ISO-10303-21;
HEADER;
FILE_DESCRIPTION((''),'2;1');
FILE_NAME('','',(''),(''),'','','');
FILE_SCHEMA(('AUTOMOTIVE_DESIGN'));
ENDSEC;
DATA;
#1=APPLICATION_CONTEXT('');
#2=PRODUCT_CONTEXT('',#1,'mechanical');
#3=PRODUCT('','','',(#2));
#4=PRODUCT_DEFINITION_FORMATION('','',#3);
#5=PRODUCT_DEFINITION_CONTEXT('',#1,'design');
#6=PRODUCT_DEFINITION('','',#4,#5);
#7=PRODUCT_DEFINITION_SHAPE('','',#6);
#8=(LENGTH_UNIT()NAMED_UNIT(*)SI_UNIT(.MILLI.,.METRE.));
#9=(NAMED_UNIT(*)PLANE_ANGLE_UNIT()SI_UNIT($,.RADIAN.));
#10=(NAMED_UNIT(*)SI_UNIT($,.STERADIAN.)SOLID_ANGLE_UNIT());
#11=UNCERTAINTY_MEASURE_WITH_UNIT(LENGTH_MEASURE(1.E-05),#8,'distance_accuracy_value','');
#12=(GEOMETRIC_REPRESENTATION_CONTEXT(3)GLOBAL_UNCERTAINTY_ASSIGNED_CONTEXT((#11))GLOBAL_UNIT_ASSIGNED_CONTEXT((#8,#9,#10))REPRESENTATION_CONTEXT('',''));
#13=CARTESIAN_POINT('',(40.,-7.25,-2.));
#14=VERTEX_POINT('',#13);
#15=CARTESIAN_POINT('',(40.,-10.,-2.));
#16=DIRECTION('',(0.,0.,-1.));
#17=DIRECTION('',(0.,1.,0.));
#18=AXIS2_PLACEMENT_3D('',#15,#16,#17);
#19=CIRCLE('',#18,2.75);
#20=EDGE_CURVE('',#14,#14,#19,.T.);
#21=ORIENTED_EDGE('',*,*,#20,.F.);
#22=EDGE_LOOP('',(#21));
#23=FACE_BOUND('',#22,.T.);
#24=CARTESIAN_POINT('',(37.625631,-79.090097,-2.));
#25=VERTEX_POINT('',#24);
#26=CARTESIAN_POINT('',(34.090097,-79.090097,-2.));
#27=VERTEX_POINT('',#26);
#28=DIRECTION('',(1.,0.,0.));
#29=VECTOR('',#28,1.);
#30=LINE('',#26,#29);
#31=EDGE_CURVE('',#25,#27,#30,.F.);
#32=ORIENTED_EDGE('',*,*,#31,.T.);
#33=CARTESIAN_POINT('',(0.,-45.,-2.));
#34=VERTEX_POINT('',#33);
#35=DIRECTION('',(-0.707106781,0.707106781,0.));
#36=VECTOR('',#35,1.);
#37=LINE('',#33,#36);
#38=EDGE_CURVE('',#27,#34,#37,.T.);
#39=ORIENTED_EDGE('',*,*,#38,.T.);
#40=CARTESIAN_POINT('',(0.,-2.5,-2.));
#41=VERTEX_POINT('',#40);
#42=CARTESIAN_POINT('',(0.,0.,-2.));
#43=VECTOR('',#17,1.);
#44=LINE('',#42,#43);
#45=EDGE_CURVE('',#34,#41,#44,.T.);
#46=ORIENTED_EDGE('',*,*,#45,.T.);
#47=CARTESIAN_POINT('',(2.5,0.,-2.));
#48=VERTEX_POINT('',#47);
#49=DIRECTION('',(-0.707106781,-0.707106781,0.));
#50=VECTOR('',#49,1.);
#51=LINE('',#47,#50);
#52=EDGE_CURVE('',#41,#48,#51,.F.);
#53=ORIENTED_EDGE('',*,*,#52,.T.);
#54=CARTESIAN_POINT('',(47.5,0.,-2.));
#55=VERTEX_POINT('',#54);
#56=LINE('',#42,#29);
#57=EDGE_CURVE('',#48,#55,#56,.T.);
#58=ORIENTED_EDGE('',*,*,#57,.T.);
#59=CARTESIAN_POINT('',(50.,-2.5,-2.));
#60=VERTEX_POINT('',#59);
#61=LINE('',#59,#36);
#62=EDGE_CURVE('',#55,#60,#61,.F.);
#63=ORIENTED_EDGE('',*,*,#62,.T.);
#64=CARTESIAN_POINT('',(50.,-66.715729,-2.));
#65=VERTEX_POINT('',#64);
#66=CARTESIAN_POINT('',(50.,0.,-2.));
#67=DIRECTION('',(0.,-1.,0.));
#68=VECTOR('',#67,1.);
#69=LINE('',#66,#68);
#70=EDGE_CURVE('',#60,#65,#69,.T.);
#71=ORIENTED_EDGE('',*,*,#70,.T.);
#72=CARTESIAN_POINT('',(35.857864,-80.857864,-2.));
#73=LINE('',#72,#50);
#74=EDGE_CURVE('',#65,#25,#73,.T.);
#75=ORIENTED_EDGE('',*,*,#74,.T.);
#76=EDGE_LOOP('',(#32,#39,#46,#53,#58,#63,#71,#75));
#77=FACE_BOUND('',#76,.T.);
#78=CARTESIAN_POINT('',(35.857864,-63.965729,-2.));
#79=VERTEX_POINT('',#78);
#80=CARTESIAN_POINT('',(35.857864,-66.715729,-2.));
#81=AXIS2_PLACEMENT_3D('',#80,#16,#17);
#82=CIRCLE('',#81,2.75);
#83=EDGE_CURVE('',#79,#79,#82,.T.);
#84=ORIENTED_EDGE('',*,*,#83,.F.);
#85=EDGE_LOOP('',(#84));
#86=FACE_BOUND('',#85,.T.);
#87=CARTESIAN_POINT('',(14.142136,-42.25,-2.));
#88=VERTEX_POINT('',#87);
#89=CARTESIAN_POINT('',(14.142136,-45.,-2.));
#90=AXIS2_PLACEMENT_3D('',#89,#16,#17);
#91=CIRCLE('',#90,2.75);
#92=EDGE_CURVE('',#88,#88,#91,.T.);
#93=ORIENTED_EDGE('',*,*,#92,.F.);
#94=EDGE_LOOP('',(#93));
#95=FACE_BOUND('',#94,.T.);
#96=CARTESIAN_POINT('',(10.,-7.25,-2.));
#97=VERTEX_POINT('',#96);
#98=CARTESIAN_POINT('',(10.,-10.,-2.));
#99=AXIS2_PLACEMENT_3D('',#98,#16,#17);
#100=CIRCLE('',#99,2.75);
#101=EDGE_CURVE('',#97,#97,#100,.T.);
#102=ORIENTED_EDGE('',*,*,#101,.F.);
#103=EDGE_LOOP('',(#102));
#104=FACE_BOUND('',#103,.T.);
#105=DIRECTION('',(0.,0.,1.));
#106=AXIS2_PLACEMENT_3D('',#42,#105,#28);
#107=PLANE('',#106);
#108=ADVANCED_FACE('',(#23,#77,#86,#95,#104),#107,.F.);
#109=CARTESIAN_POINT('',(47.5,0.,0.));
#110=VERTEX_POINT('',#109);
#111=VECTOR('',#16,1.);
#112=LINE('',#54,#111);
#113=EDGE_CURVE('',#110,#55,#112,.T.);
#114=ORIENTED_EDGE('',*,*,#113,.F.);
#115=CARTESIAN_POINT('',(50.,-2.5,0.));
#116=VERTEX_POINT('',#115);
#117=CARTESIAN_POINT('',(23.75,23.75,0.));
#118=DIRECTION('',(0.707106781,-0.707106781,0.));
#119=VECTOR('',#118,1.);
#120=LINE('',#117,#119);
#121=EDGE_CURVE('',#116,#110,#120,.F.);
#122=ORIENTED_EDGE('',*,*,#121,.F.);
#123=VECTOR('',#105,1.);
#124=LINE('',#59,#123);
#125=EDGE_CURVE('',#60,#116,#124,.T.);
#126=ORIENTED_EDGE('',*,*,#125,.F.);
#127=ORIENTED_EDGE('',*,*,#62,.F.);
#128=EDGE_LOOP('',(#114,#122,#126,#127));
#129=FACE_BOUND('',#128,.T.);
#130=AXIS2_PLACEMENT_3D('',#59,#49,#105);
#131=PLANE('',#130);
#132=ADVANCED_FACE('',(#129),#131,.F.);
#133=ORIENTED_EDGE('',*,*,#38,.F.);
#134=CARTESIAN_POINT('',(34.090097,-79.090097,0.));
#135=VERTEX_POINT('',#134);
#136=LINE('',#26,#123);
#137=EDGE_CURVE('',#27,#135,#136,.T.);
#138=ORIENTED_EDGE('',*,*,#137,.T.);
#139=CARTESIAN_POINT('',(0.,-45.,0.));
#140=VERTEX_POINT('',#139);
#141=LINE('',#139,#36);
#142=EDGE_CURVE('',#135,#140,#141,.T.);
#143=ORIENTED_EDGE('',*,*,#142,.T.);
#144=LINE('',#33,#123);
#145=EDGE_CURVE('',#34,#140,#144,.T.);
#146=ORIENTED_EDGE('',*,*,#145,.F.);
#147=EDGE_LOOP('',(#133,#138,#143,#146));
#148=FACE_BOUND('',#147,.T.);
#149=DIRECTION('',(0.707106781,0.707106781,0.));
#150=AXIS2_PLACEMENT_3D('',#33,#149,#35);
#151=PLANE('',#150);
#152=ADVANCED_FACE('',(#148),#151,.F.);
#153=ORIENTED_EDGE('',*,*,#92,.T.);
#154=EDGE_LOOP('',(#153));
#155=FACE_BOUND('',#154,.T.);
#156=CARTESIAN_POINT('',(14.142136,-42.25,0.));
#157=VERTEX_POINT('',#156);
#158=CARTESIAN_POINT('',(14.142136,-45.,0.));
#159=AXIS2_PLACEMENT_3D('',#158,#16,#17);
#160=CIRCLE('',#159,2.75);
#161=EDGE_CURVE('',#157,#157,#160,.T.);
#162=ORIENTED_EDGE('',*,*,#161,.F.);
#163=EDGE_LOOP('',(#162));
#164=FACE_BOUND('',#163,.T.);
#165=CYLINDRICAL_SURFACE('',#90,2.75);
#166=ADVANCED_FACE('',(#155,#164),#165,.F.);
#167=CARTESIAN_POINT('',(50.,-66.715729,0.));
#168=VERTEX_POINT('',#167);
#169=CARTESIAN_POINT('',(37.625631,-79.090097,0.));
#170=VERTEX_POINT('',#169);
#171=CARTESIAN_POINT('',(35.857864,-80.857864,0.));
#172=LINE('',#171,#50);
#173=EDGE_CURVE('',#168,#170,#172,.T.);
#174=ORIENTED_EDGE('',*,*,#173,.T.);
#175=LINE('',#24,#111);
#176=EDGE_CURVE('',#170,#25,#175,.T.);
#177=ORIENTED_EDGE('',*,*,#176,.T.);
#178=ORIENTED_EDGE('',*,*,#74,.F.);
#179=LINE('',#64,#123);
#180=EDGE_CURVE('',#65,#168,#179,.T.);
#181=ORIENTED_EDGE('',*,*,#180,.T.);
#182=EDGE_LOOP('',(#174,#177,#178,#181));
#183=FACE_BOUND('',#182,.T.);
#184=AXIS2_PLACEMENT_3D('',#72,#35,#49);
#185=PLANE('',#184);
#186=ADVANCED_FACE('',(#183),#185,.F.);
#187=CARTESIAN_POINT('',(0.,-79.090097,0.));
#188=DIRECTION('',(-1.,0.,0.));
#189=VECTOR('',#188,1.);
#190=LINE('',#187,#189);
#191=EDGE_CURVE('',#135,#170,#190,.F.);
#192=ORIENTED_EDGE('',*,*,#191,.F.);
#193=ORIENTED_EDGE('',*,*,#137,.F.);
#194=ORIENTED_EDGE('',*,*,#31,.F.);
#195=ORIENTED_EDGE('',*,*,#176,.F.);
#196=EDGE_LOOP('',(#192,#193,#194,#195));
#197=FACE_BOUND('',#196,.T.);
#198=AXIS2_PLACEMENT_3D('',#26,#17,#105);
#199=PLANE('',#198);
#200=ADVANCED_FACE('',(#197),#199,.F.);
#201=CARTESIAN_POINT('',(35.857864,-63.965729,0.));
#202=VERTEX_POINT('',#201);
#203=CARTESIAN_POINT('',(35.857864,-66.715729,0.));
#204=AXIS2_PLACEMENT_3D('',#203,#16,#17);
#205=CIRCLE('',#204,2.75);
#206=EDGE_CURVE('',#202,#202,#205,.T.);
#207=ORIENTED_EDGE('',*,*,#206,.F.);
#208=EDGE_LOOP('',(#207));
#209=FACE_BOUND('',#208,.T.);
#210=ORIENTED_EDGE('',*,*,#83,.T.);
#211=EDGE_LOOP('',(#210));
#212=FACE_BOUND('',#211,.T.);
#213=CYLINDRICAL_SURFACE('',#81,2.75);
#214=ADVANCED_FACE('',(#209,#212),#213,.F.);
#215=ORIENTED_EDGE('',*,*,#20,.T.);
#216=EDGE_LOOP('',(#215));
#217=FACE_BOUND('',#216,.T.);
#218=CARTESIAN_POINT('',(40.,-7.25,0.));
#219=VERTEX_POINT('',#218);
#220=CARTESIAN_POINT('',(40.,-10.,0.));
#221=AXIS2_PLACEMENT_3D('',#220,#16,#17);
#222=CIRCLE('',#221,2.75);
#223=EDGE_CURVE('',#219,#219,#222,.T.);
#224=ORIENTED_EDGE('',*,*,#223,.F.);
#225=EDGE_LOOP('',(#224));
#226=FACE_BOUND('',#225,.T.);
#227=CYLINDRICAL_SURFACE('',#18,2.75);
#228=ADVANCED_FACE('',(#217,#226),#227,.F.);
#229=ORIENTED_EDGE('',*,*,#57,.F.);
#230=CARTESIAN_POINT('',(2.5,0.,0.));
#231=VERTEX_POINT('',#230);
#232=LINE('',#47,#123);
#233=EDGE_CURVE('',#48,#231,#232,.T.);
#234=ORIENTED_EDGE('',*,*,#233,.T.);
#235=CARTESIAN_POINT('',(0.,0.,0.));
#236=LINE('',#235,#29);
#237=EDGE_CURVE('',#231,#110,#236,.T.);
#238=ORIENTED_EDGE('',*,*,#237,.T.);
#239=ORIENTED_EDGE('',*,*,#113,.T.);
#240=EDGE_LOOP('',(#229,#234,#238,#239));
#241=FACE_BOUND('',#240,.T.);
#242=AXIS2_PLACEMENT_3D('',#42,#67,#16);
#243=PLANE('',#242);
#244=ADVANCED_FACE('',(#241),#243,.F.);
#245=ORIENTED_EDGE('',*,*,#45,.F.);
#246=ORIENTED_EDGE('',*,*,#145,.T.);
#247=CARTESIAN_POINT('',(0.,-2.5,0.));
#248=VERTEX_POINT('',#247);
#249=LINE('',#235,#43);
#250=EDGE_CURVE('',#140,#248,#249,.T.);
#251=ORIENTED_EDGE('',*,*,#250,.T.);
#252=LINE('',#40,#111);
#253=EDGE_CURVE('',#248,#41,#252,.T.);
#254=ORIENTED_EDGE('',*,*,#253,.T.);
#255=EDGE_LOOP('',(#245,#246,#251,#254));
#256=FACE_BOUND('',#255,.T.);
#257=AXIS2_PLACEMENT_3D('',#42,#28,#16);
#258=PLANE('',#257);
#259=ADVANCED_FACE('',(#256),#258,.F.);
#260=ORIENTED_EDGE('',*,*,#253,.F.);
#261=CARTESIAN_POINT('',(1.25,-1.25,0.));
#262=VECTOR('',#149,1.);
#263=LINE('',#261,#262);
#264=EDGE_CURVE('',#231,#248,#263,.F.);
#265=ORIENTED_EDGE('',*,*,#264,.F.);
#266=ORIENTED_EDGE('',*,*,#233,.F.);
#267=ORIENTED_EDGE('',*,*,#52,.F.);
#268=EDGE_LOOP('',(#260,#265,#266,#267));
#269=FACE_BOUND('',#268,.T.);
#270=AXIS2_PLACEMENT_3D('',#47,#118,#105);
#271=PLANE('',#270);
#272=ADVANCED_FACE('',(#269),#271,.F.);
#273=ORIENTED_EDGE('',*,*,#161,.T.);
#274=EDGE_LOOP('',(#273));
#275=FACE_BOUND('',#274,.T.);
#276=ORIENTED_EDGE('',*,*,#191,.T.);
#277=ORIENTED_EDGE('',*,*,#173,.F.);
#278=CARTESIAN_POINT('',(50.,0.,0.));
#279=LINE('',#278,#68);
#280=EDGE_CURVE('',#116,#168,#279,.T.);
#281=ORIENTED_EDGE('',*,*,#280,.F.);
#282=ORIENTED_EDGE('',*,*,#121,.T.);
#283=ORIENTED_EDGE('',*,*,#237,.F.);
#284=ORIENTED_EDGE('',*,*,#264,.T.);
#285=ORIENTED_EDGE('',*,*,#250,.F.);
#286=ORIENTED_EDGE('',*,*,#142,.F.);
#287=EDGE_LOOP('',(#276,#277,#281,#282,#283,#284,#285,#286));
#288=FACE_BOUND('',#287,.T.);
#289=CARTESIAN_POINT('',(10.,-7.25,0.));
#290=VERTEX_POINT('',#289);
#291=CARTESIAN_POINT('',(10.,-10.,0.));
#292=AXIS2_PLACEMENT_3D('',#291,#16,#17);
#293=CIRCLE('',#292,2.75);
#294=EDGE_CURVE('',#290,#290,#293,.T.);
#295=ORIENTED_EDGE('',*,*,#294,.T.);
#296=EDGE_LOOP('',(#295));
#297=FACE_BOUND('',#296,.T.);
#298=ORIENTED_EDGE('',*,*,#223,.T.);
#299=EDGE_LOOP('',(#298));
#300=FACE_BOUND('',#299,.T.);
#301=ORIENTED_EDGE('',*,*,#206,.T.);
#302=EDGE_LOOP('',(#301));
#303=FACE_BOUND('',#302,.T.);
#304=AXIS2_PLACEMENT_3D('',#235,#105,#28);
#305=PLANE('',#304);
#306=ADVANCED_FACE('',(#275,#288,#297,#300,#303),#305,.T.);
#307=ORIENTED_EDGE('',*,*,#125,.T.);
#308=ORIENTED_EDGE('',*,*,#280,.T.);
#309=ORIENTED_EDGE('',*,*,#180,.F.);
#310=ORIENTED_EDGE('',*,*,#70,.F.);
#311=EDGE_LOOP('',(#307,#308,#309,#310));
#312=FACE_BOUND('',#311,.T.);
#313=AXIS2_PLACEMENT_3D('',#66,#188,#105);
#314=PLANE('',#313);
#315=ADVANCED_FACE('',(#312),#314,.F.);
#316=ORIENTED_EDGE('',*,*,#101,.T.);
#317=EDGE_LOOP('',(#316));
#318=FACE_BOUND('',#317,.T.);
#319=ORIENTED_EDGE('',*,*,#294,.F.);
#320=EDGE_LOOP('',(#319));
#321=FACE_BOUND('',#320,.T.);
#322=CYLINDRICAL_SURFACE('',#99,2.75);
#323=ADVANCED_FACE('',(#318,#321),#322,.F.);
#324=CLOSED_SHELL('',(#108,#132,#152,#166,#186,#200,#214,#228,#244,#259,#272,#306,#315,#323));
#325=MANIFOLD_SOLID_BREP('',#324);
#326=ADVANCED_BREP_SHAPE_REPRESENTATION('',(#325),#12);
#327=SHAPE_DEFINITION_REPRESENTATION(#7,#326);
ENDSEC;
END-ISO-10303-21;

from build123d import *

# Parameters (mm, degrees)
EXTRUDE_1_DEPTH   = 2
HOLE_WIZARD_M51_D = 5.5
CHAMFER_1_SIZE    = 2.5


with BuildPart() as part:
    # Эскиз3 → Бобышка-Вытянуть1 (new body)
    with BuildSketch(Plane(origin=(0, 0, 0), x_dir=(1, 0, 0), z_dir=(0, 0, -1))):
        Polygon((0, 0), (50, 0), (50, 66.715728753), (35.857864376, 80.857864376), (0, 45), align=None)
    extrude(amount=EXTRUDE_1_DEPTH)

    # Отверстие с зазором M51 (through all)
    with Locations(Plane(origin=(0, 0, -2), x_dir=(1, 0, 0), z_dir=(0, 0, -1))):
        with Locations((10, 10), (40, 10), (14.142135624, 45), (35.857864376, 66.715728753)):
            Hole(HOLE_WIZARD_M51_D / 2)

    # Фаска1
    chamfer_1_edges = [part.edges().sort_by_distance(p)[0] for p in [
        (35.857864376, -80.857864376, -1),
        (50, 0, -1),
        (0, 0, -1),
    ]]
    chamfer(chamfer_1_edges, length=CHAMFER_1_SIZE)


solid = part.part
